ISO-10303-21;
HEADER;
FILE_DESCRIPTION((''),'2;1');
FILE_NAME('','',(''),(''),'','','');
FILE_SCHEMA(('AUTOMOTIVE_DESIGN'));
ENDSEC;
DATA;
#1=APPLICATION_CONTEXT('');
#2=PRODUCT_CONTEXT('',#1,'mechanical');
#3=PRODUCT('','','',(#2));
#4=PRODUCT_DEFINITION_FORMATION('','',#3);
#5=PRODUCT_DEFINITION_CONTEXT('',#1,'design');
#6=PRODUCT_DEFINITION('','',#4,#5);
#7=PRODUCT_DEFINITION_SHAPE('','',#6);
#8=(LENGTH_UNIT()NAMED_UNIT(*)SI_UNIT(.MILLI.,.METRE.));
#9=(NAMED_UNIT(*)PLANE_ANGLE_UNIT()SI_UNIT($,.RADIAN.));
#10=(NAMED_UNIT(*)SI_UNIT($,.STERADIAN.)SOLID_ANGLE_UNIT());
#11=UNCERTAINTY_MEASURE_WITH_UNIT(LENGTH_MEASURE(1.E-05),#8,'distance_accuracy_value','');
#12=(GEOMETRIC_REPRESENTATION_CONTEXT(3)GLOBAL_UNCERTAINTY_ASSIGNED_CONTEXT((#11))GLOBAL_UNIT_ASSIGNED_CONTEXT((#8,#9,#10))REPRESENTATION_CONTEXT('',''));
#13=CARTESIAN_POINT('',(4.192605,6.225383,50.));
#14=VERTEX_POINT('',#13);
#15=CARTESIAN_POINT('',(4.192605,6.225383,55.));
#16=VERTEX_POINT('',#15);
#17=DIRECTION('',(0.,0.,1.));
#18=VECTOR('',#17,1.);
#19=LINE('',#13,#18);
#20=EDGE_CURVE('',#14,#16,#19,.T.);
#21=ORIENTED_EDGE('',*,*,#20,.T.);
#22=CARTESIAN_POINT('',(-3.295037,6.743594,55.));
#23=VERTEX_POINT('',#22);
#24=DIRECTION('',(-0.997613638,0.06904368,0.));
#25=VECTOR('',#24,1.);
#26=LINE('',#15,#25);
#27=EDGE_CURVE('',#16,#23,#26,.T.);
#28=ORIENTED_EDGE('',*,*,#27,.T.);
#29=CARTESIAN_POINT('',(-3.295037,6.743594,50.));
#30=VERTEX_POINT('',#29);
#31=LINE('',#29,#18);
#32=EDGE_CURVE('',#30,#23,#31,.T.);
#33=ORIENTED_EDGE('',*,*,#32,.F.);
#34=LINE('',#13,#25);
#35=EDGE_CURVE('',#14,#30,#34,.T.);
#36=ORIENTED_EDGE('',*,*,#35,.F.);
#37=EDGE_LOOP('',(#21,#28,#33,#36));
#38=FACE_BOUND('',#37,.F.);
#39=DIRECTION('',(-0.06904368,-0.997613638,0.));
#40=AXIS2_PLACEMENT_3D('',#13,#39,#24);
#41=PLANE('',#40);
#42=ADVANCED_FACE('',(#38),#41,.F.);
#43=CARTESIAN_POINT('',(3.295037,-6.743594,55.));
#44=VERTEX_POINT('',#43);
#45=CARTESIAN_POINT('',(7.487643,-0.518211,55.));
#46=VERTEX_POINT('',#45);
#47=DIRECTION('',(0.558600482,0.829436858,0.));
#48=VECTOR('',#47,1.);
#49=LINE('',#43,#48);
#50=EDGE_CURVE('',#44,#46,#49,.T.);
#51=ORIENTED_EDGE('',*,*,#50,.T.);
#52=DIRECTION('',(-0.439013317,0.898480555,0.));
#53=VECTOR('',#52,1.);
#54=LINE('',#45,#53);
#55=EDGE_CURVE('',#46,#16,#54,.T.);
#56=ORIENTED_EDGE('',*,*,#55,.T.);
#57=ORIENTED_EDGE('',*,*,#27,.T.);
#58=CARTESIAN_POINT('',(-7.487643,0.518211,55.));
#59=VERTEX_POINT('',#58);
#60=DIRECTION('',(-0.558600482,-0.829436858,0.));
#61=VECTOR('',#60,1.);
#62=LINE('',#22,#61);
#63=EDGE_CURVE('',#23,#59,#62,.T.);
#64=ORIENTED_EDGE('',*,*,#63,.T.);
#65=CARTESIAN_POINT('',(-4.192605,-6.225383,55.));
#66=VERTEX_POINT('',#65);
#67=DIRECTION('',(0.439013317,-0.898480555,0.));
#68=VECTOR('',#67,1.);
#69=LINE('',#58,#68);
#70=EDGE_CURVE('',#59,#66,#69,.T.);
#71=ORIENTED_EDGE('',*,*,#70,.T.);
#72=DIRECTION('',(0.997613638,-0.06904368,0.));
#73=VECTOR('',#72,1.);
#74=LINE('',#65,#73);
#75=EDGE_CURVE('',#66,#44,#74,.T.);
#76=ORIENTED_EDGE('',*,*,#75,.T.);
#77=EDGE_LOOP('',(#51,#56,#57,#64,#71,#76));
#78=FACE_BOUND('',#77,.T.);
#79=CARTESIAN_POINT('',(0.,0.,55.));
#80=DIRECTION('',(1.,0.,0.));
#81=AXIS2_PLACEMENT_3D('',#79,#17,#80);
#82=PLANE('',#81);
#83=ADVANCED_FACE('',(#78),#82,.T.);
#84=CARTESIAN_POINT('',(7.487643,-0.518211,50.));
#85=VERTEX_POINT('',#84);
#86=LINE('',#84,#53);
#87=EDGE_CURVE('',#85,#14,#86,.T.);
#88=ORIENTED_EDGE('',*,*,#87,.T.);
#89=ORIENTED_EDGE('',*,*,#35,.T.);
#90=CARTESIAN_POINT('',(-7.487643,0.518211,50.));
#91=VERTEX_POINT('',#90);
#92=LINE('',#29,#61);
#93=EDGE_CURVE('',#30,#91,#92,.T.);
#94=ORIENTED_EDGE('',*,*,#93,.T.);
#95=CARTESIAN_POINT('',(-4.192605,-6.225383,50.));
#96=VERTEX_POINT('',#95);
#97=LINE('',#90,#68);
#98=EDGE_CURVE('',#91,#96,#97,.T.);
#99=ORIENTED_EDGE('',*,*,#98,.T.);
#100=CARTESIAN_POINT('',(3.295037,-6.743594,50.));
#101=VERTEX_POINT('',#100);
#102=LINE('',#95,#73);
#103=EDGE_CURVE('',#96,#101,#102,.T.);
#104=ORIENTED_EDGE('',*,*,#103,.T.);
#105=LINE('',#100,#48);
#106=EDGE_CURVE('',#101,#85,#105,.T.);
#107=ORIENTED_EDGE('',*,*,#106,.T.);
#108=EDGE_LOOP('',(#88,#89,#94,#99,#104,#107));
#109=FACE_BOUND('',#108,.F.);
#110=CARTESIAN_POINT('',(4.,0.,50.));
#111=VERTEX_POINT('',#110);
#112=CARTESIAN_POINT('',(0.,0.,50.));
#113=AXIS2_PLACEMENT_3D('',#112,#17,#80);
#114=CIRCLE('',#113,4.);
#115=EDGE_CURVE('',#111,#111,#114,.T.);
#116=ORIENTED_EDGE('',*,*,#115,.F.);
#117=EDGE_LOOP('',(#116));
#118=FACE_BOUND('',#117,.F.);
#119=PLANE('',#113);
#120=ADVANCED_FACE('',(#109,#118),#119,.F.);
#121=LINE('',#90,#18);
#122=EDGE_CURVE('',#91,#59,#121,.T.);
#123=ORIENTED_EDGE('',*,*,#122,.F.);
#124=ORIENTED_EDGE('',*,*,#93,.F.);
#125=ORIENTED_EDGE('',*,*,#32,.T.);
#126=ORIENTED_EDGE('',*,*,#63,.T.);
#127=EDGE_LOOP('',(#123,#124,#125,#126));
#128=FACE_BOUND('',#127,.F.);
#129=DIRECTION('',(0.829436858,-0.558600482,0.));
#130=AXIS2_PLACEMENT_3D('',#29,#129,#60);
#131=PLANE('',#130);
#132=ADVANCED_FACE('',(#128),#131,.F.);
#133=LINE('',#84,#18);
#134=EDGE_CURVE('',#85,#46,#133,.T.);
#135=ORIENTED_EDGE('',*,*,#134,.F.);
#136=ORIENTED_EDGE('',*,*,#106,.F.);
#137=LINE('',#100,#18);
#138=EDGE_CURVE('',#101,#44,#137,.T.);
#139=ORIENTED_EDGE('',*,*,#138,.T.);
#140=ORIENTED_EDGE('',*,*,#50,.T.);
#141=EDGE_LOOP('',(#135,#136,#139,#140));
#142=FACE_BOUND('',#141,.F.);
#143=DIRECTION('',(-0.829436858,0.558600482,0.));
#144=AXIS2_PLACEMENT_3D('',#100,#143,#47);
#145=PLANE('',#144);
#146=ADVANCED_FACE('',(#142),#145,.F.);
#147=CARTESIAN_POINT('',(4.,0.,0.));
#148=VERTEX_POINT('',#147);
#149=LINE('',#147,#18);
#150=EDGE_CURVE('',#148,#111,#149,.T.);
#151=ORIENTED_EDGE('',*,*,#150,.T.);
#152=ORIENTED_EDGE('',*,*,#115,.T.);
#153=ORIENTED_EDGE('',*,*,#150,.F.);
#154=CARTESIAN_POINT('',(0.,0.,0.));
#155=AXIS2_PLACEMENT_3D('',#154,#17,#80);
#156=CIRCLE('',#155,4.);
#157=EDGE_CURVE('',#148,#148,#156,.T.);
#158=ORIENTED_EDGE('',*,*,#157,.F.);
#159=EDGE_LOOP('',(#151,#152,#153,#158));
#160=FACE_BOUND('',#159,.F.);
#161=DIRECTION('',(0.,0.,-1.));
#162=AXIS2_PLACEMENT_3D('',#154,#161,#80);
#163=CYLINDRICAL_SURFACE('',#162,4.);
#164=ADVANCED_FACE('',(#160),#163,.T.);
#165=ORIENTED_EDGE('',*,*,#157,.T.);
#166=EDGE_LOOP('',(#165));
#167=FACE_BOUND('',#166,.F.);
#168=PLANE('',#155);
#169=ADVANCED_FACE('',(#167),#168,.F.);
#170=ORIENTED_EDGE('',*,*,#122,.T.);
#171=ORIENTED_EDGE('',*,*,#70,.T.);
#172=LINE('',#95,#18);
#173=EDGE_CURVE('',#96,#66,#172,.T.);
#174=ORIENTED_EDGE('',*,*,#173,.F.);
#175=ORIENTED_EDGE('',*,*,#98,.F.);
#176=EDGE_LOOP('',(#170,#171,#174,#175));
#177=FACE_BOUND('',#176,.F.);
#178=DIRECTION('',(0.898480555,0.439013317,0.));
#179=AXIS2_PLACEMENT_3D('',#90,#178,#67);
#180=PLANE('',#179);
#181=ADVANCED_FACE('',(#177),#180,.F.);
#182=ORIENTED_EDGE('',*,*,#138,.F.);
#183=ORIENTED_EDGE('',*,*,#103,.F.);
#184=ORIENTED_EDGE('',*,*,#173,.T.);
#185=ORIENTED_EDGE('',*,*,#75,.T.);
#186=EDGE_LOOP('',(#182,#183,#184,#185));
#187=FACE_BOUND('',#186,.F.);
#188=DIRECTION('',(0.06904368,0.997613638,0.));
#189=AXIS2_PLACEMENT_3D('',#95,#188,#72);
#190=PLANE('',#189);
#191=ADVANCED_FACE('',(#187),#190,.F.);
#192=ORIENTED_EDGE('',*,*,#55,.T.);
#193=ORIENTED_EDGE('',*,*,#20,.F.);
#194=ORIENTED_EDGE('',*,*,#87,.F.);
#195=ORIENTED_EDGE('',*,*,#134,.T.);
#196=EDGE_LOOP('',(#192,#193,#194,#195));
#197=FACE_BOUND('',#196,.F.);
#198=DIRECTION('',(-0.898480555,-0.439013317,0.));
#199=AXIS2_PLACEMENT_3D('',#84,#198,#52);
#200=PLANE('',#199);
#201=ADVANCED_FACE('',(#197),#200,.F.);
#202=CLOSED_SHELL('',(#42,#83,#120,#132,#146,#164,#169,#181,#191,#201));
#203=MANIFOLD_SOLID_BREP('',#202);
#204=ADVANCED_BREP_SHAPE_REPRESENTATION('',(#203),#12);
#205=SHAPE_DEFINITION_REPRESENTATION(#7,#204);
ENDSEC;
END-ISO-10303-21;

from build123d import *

# Parameters (mm, degrees)
F0_R     = 4
F1_DEPTH = 50
F2_R     = 4
F3_DEPTH = 5


with BuildPart() as f1:
    # F0 (on Top) → F1 (new body)
    with BuildSketch(Plane.XY):
        Circle(F0_R)
    extrude(amount=F1_DEPTH)

    # F2 (on face) → F3 (join)
    with BuildSketch(Plane.XY.offset(50)):
        Polygon((3.295037, -6.743594), (7.487643, -0.518211), (4.192605, 6.225383), (-3.295037, 6.743594), (-7.487643, 0.518211), (-4.192605, -6.225383), align=None)
        Circle(F2_R, mode=Mode.SUBTRACT)
        Circle(F2_R)
    extrude(amount=F3_DEPTH)


solid = f1.part
